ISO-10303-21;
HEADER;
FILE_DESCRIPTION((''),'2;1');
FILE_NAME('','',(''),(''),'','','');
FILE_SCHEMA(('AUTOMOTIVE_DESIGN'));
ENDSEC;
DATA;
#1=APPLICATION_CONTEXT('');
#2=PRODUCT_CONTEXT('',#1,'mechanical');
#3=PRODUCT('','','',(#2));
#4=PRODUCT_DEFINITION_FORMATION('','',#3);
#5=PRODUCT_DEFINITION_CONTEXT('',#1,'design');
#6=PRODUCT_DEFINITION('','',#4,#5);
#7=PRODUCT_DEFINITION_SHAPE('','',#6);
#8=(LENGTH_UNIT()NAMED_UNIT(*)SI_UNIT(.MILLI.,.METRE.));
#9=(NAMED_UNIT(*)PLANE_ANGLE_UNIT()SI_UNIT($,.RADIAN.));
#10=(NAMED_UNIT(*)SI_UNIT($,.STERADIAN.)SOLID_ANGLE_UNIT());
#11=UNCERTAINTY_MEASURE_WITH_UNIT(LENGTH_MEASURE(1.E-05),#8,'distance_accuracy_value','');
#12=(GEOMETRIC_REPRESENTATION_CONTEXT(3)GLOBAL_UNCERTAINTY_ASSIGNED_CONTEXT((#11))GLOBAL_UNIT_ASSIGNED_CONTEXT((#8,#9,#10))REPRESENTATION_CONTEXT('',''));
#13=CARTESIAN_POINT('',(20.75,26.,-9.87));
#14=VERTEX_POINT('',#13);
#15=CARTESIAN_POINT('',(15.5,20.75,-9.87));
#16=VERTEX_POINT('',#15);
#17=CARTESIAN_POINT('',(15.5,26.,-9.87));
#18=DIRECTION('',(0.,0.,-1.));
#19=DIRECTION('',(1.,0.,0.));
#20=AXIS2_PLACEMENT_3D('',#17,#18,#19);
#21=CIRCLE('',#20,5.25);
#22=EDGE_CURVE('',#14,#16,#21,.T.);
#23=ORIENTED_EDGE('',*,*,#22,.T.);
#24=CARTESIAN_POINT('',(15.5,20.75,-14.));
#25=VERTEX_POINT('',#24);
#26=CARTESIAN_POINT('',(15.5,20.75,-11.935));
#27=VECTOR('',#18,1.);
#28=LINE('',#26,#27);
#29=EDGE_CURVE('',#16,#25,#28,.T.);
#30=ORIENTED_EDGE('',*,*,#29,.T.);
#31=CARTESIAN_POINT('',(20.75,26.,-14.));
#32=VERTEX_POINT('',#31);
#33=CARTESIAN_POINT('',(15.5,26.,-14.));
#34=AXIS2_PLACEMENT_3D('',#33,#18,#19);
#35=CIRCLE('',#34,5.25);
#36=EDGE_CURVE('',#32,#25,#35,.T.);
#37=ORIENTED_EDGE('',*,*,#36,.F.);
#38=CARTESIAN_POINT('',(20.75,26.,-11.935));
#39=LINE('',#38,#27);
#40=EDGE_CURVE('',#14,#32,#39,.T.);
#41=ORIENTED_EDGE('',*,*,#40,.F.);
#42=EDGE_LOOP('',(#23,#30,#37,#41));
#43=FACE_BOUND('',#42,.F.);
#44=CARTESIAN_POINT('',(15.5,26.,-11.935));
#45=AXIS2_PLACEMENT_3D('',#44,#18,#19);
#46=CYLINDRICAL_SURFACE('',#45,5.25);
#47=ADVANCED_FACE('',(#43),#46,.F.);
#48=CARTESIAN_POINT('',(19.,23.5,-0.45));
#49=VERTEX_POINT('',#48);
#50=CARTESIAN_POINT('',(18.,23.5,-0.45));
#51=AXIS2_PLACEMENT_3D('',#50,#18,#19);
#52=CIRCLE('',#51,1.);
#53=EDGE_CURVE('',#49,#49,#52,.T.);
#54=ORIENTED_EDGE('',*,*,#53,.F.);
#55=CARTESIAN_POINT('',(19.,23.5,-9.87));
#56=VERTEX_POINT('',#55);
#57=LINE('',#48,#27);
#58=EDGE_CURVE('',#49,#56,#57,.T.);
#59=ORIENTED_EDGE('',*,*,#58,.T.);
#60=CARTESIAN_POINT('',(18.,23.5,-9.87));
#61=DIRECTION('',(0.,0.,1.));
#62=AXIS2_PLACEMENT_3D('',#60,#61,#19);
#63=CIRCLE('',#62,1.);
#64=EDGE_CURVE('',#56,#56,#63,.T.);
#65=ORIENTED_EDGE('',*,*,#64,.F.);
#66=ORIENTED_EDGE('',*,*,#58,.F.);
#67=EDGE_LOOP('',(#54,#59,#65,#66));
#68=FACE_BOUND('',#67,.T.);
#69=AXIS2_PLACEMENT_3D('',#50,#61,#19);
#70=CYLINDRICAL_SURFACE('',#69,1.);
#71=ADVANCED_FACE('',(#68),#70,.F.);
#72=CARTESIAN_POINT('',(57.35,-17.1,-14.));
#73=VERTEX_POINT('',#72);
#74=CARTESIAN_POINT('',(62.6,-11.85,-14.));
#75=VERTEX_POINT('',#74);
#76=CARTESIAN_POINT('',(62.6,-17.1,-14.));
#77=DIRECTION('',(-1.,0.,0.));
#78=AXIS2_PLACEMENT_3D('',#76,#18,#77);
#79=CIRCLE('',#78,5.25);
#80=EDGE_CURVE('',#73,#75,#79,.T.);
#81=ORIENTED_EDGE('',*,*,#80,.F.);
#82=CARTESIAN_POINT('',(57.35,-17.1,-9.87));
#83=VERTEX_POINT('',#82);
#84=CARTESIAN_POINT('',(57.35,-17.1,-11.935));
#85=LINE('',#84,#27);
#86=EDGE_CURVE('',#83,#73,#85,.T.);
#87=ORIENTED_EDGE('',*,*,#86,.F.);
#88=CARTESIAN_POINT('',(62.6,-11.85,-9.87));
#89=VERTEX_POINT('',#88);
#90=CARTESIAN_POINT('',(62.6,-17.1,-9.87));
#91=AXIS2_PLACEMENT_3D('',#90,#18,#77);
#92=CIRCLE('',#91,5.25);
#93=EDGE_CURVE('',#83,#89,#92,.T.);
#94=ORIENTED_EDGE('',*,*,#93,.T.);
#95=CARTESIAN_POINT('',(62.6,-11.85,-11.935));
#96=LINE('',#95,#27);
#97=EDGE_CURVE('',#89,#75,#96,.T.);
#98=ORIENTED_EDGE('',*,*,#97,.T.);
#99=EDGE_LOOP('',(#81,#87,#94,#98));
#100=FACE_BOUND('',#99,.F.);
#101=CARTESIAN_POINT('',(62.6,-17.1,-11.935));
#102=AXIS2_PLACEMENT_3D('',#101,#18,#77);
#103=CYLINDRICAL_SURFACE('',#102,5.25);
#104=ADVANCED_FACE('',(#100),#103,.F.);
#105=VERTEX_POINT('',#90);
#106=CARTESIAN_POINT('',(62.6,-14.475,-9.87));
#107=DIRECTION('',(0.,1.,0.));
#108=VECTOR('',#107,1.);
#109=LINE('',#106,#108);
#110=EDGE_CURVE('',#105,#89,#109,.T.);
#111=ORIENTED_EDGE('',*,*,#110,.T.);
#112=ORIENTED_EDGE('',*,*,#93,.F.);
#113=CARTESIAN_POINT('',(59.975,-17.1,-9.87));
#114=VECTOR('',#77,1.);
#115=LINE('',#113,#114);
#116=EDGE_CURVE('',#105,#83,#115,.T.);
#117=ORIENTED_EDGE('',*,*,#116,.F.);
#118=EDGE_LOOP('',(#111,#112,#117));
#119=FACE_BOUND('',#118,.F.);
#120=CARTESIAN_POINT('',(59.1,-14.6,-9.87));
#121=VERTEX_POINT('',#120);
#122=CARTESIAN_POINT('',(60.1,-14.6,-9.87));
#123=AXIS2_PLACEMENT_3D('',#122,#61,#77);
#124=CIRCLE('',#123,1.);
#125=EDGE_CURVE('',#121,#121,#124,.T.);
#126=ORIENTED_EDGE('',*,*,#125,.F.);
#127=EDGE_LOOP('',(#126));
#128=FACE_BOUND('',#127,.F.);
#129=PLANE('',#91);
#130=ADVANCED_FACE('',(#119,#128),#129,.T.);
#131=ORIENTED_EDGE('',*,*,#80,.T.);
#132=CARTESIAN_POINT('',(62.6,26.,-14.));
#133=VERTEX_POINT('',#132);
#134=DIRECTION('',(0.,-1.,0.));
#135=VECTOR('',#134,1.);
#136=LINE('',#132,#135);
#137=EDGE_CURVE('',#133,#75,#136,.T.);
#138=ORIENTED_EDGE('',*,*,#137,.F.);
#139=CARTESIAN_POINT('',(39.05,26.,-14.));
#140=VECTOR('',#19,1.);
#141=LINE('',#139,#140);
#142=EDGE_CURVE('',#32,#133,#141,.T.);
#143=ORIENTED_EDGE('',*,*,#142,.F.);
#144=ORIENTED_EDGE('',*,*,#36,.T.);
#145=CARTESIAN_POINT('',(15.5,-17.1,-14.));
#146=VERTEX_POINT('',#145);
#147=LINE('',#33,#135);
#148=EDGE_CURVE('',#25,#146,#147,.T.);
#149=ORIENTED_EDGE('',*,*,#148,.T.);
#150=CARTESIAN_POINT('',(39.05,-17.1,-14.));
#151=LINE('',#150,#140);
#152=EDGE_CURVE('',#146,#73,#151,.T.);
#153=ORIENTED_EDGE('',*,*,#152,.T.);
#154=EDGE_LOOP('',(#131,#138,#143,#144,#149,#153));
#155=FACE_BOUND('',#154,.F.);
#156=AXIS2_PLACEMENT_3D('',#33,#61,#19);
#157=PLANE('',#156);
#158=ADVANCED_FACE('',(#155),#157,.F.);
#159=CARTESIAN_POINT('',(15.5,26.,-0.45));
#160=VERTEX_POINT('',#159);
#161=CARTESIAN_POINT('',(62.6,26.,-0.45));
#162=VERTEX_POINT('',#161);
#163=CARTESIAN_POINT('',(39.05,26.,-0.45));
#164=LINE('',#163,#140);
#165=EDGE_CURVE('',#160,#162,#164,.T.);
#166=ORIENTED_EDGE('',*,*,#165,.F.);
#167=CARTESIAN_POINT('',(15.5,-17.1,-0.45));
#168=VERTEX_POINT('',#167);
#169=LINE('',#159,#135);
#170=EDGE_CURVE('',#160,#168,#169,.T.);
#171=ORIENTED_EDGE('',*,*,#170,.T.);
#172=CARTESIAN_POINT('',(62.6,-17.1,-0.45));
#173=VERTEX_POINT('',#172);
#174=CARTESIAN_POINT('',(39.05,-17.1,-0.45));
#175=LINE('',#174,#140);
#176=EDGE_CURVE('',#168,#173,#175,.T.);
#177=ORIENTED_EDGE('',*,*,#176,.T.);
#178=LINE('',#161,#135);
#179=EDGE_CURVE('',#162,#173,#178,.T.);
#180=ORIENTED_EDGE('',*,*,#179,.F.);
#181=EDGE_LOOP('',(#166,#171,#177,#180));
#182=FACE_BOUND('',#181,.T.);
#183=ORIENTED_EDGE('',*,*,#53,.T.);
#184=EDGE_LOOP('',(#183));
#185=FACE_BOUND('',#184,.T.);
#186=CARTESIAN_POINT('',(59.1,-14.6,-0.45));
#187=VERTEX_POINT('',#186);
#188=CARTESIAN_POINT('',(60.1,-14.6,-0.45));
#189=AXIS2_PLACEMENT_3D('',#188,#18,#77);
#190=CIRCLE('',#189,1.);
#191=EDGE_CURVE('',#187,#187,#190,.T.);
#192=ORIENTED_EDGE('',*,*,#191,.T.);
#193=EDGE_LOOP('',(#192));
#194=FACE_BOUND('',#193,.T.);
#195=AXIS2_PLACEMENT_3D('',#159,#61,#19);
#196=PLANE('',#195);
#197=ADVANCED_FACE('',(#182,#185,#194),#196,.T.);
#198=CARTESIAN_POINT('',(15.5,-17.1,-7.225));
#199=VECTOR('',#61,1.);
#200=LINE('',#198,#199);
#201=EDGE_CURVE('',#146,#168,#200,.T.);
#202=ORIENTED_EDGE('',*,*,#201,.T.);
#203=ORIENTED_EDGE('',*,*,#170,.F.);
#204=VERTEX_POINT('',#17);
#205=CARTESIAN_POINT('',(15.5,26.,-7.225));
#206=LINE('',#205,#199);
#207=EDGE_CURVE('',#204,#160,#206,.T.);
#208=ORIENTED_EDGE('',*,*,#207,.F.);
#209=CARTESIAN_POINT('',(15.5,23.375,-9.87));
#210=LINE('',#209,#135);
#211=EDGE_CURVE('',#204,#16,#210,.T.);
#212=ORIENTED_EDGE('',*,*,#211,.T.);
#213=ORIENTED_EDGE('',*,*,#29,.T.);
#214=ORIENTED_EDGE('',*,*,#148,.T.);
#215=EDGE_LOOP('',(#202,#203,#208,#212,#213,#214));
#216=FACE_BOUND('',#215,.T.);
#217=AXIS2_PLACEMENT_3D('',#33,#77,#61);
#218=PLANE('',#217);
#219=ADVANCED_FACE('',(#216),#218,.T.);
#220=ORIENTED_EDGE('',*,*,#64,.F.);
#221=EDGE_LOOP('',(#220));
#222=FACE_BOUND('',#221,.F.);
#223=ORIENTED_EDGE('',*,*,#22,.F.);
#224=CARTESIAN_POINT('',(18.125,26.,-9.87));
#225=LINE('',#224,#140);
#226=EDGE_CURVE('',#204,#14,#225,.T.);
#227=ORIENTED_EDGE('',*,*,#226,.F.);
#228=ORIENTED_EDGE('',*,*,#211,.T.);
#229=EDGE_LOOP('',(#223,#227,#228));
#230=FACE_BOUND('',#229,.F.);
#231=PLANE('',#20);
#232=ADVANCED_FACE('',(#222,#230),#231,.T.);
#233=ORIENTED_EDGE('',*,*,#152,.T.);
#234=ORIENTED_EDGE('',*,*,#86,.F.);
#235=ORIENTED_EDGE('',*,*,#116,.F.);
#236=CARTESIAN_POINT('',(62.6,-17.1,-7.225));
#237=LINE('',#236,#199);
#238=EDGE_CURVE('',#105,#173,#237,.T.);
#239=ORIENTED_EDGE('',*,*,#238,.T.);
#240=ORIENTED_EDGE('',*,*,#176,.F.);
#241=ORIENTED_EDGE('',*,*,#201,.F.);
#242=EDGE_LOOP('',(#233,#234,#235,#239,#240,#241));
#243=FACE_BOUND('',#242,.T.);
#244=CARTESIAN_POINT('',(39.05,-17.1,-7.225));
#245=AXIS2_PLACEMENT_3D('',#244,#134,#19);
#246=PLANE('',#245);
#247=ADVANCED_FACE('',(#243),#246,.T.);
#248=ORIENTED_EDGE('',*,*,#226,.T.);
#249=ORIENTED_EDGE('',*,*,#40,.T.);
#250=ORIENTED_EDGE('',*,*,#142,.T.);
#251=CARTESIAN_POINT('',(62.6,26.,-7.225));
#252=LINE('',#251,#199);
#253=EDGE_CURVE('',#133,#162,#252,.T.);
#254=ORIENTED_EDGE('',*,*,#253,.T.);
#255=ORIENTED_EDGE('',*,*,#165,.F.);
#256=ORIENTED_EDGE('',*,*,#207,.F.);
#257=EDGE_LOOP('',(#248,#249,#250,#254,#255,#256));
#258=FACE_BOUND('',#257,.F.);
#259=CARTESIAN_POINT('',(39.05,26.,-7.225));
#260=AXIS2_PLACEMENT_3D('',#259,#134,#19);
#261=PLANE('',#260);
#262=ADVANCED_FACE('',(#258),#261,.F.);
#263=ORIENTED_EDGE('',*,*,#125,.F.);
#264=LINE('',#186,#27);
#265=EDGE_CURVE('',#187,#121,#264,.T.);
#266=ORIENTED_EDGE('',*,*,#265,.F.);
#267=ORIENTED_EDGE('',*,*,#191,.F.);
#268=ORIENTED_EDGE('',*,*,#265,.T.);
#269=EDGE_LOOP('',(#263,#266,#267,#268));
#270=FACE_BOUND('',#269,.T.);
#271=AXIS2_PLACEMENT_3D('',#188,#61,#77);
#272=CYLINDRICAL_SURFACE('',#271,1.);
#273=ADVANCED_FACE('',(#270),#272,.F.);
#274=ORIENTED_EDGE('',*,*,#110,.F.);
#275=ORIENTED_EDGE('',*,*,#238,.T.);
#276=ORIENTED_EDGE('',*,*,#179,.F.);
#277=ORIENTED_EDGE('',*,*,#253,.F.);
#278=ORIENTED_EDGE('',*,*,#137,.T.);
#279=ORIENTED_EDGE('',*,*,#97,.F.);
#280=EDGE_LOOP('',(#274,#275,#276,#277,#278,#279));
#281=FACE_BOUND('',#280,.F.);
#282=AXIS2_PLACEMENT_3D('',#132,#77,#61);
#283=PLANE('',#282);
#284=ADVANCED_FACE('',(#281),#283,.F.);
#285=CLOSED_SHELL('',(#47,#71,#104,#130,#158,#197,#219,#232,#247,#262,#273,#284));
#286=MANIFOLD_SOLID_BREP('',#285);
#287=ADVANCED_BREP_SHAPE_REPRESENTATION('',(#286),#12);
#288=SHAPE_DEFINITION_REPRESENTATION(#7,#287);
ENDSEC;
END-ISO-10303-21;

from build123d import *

# Parameters (mm, degrees)
CYLINDER003_W             = 5.25
CYLINDER003_H             = 4.13
CYLINDER003_ANGLE         = 90
CYLINDER002_R             = 1
CYLINDER002_DEPTH         = 13.55
FUSION002_PLACEMENT_ANGLE = 180
CYLINDER001_W             = 5.25
CYLINDER001_H             = 4.13
CYLINDER001_ANGLE         = 90
CYLINDER_R                = 1
CYLINDER_DEPTH            = 13.55
BOX001_W                  = 47.1
BOX001_H                  = 13.55
BOX001_DEPTH              = 43.1
CUT_PLACEMENT_ANGLE       = 90


with BuildPart() as semicut001:
    # Cylinder003 → Cylinder003 (revolve)
    with BuildSketch(Plane(origin=(0, 4.13, 0), x_dir=(1, 0, 0), z_dir=(0, 0, -1))):
        with Locations((2.625, 2.065)):
            Rectangle(CYLINDER003_W, CYLINDER003_H)
    revolve(axis=Axis((0, 4.13, 0), (0, -1, 0)), revolution_arc=CYLINDER003_ANGLE)


with BuildPart() as ipscut001:
    # Cylinder002 → Cylinder002 (new body)
    with BuildSketch(Plane(origin=(2.5, 13.55, 2.5), x_dir=(1, 0, 0), z_dir=(0, -1, 0))):
        Circle(CYLINDER002_R)
    extrude(amount=CYLINDER002_DEPTH)

    # Fusion002: union semiCut001
    add(semicut001.part)


with BuildPart() as ipscut001_1:
    # Fusion002 placement: moved
    add(ipscut001.part.moved(Location((47.1, 0, 43.1))).rotate(Axis((47.1, 0, 43.1), (0, 1, 0)), FUSION002_PLACEMENT_ANGLE))


with BuildPart() as semicut:
    # Cylinder001 → Cylinder001 (revolve)
    with BuildSketch(Plane(origin=(0, 4.13, 0), x_dir=(1, 0, 0), z_dir=(0, 0, -1))):
        with Locations((2.625, 2.065)):
            Rectangle(CYLINDER001_W, CYLINDER001_H)
    revolve(axis=Axis((0, 4.13, 0), (0, -1, 0)), revolution_arc=CYLINDER001_ANGLE)


with BuildPart() as fusion003:
    # Cylinder → Cylinder (new body)
    with BuildSketch(Plane(origin=(2.5, 13.55, 2.5), x_dir=(1, 0, 0), z_dir=(0, -1, 0))):
        Circle(CYLINDER_R)
    extrude(amount=CYLINDER_DEPTH)

    # Fusion001: union semiCut
    add(semicut.part)

    # Fusion003: union ipsCut001
    add(ipscut001_1.part)


with BuildPart() as ips7100v:
    # Box001 → Box001 (new body)
    with BuildSketch(Plane.XY):
        with Locations((23.55, 6.775)):
            Rectangle(BOX001_W, BOX001_H)
    extrude(amount=BOX001_DEPTH)

    # Cut: cut Fusion003
    add(fusion003.part, mode=Mode.SUBTRACT)


with BuildPart() as ips7100v_1:
    # Cut placement: moved
    add(ips7100v.part.moved(Location((15.5, 26, -14))).rotate(Axis((15.5, 26, -14), (1, 0, 0)), CUT_PLACEMENT_ANGLE))


solid = ips7100v_1.part
